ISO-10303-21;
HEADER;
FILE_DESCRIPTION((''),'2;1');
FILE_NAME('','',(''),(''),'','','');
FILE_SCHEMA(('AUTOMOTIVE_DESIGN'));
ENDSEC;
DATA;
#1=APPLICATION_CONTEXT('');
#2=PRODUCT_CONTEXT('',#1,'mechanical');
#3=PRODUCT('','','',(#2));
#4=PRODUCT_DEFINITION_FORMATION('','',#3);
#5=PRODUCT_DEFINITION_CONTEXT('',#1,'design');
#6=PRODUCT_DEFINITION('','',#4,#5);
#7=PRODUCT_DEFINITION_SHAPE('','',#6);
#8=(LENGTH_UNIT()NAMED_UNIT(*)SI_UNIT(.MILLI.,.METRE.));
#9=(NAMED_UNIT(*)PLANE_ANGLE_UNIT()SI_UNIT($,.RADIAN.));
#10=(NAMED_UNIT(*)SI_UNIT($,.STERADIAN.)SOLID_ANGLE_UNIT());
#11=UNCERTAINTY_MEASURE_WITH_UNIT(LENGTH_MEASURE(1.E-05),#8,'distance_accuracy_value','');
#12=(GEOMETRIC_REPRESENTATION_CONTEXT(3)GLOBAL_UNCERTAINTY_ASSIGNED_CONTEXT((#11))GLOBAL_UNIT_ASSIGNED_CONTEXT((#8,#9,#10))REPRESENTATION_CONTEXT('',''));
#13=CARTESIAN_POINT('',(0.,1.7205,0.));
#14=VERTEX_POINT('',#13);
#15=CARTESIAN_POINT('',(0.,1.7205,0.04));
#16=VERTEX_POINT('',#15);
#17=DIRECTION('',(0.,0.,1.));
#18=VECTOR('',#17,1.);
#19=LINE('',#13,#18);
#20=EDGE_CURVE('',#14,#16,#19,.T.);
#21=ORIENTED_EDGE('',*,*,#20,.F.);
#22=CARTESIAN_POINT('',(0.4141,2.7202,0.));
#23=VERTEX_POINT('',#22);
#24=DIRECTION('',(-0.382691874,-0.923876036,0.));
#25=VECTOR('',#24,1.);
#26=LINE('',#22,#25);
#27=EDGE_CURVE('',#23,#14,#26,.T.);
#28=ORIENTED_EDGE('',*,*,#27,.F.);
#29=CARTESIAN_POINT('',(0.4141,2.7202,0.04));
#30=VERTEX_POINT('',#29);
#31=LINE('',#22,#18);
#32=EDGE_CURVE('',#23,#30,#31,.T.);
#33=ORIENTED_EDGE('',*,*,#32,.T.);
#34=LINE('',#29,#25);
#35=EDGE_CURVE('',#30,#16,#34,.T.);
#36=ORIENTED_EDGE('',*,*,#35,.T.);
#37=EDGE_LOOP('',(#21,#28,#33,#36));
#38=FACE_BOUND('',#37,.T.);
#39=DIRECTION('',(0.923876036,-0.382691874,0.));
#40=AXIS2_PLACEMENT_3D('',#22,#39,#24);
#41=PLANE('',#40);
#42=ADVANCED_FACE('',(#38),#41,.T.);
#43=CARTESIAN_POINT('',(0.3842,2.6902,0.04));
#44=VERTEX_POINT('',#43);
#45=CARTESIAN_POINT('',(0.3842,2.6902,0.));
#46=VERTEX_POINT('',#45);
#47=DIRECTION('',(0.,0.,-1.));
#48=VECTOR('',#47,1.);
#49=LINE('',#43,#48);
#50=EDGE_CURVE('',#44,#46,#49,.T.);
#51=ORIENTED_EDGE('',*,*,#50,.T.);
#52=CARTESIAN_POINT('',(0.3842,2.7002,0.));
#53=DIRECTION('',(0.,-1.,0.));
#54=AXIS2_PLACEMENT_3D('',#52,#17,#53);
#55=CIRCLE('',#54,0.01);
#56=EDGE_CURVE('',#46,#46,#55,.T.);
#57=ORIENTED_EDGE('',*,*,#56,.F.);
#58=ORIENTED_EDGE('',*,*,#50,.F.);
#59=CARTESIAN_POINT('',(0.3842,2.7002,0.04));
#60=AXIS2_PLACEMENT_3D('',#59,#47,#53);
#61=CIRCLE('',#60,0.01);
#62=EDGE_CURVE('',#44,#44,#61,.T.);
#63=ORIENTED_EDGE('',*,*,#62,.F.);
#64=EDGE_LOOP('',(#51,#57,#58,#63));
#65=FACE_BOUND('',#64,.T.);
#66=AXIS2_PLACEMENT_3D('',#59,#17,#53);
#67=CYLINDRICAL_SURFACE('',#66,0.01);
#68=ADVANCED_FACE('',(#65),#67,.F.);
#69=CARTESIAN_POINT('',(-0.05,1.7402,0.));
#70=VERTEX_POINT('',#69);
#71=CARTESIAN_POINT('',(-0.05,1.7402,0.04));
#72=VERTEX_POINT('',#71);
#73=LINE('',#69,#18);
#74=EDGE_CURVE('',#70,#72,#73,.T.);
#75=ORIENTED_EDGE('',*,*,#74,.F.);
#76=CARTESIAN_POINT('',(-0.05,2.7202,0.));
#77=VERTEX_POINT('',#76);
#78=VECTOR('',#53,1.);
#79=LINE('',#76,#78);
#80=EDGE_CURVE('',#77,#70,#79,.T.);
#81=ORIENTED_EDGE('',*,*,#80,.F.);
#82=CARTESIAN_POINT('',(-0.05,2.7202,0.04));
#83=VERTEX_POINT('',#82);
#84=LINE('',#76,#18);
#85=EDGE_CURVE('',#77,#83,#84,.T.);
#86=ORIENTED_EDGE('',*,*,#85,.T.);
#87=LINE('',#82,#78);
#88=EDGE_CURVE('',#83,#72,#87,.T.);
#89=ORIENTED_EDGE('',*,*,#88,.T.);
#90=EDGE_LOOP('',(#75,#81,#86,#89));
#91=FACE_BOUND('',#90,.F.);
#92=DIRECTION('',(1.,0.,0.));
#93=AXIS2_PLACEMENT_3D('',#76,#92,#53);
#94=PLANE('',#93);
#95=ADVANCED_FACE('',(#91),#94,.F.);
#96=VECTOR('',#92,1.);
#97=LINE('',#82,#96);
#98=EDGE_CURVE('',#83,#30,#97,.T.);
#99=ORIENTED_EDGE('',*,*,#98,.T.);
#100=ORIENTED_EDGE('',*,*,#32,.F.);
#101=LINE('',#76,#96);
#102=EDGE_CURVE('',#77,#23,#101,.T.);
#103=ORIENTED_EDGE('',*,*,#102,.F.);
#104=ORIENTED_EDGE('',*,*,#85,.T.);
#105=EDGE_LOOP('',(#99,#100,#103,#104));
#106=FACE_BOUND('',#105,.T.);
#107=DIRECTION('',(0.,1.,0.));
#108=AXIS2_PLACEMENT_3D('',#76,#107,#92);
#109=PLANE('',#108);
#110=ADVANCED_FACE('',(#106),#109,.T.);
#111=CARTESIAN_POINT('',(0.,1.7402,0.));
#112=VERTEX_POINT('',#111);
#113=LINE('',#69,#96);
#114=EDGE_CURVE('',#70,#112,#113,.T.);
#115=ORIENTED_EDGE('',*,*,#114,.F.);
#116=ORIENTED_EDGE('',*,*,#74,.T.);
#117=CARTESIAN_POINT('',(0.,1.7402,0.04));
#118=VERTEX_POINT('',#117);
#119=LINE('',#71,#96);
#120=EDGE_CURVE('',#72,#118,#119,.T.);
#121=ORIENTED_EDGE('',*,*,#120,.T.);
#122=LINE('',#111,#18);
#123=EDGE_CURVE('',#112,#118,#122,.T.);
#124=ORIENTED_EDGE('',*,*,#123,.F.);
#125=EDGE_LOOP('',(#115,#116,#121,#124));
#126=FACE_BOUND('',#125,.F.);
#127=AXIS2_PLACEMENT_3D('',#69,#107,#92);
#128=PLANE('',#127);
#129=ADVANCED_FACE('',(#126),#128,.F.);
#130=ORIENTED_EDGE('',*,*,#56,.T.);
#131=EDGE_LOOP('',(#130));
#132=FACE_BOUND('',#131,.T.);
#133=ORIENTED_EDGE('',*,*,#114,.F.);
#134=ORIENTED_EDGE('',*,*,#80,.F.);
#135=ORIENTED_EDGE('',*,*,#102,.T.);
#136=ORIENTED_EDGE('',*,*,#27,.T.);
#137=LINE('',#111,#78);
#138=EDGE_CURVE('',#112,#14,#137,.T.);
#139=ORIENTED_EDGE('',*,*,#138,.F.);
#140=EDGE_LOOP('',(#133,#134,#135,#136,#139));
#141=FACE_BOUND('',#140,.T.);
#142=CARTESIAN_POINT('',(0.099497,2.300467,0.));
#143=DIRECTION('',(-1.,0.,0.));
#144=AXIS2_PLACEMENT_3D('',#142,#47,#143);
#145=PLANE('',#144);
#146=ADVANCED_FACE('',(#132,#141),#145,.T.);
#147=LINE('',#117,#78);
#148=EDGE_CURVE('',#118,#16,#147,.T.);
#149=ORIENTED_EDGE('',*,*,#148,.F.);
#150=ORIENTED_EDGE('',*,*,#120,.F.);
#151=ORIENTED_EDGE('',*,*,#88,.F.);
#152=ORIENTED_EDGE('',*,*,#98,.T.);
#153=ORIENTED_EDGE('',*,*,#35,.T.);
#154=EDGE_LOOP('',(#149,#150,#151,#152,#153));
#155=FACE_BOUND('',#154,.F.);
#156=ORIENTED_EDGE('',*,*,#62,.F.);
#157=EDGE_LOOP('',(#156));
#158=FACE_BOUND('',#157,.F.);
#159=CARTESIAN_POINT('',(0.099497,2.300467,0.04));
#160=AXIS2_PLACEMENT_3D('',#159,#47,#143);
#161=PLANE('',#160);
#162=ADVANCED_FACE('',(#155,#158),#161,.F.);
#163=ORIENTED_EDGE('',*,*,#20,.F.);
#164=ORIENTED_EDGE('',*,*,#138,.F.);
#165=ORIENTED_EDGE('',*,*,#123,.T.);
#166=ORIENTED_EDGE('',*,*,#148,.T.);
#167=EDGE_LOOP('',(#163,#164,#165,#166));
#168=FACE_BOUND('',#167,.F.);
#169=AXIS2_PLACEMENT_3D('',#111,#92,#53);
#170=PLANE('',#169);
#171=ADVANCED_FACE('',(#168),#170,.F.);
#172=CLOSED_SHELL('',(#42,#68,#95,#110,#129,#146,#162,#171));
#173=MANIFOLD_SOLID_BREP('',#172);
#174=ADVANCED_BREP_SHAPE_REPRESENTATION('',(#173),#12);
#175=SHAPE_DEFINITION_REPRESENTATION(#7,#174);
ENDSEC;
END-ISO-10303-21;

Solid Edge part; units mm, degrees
sketch "Sketch1" plane through (0, 0, 0) normal (0, 0, 1) x (1, 0, 0)
  line L0 (0.4141, 2.7202) -> (0, 1.7205)
  line L1 (0, 1.7402) -> (0, 1.7205)
  line L2 (-0.05, 1.7402) -> (0, 1.7402)
  line L3 (-0.05, 2.7202) -> (-0.05, 1.7402)
  line L4 (-0.05, 2.7202) -> (0.4141, 2.7202)
extrude "Protrusion1" add sketch "Sketch1" along normal blind 0.04
hole "Bohrung_7" at (0.3842, 2.7002, 0.04) direction (0, 0, -1) diameter 0.02 end through all
